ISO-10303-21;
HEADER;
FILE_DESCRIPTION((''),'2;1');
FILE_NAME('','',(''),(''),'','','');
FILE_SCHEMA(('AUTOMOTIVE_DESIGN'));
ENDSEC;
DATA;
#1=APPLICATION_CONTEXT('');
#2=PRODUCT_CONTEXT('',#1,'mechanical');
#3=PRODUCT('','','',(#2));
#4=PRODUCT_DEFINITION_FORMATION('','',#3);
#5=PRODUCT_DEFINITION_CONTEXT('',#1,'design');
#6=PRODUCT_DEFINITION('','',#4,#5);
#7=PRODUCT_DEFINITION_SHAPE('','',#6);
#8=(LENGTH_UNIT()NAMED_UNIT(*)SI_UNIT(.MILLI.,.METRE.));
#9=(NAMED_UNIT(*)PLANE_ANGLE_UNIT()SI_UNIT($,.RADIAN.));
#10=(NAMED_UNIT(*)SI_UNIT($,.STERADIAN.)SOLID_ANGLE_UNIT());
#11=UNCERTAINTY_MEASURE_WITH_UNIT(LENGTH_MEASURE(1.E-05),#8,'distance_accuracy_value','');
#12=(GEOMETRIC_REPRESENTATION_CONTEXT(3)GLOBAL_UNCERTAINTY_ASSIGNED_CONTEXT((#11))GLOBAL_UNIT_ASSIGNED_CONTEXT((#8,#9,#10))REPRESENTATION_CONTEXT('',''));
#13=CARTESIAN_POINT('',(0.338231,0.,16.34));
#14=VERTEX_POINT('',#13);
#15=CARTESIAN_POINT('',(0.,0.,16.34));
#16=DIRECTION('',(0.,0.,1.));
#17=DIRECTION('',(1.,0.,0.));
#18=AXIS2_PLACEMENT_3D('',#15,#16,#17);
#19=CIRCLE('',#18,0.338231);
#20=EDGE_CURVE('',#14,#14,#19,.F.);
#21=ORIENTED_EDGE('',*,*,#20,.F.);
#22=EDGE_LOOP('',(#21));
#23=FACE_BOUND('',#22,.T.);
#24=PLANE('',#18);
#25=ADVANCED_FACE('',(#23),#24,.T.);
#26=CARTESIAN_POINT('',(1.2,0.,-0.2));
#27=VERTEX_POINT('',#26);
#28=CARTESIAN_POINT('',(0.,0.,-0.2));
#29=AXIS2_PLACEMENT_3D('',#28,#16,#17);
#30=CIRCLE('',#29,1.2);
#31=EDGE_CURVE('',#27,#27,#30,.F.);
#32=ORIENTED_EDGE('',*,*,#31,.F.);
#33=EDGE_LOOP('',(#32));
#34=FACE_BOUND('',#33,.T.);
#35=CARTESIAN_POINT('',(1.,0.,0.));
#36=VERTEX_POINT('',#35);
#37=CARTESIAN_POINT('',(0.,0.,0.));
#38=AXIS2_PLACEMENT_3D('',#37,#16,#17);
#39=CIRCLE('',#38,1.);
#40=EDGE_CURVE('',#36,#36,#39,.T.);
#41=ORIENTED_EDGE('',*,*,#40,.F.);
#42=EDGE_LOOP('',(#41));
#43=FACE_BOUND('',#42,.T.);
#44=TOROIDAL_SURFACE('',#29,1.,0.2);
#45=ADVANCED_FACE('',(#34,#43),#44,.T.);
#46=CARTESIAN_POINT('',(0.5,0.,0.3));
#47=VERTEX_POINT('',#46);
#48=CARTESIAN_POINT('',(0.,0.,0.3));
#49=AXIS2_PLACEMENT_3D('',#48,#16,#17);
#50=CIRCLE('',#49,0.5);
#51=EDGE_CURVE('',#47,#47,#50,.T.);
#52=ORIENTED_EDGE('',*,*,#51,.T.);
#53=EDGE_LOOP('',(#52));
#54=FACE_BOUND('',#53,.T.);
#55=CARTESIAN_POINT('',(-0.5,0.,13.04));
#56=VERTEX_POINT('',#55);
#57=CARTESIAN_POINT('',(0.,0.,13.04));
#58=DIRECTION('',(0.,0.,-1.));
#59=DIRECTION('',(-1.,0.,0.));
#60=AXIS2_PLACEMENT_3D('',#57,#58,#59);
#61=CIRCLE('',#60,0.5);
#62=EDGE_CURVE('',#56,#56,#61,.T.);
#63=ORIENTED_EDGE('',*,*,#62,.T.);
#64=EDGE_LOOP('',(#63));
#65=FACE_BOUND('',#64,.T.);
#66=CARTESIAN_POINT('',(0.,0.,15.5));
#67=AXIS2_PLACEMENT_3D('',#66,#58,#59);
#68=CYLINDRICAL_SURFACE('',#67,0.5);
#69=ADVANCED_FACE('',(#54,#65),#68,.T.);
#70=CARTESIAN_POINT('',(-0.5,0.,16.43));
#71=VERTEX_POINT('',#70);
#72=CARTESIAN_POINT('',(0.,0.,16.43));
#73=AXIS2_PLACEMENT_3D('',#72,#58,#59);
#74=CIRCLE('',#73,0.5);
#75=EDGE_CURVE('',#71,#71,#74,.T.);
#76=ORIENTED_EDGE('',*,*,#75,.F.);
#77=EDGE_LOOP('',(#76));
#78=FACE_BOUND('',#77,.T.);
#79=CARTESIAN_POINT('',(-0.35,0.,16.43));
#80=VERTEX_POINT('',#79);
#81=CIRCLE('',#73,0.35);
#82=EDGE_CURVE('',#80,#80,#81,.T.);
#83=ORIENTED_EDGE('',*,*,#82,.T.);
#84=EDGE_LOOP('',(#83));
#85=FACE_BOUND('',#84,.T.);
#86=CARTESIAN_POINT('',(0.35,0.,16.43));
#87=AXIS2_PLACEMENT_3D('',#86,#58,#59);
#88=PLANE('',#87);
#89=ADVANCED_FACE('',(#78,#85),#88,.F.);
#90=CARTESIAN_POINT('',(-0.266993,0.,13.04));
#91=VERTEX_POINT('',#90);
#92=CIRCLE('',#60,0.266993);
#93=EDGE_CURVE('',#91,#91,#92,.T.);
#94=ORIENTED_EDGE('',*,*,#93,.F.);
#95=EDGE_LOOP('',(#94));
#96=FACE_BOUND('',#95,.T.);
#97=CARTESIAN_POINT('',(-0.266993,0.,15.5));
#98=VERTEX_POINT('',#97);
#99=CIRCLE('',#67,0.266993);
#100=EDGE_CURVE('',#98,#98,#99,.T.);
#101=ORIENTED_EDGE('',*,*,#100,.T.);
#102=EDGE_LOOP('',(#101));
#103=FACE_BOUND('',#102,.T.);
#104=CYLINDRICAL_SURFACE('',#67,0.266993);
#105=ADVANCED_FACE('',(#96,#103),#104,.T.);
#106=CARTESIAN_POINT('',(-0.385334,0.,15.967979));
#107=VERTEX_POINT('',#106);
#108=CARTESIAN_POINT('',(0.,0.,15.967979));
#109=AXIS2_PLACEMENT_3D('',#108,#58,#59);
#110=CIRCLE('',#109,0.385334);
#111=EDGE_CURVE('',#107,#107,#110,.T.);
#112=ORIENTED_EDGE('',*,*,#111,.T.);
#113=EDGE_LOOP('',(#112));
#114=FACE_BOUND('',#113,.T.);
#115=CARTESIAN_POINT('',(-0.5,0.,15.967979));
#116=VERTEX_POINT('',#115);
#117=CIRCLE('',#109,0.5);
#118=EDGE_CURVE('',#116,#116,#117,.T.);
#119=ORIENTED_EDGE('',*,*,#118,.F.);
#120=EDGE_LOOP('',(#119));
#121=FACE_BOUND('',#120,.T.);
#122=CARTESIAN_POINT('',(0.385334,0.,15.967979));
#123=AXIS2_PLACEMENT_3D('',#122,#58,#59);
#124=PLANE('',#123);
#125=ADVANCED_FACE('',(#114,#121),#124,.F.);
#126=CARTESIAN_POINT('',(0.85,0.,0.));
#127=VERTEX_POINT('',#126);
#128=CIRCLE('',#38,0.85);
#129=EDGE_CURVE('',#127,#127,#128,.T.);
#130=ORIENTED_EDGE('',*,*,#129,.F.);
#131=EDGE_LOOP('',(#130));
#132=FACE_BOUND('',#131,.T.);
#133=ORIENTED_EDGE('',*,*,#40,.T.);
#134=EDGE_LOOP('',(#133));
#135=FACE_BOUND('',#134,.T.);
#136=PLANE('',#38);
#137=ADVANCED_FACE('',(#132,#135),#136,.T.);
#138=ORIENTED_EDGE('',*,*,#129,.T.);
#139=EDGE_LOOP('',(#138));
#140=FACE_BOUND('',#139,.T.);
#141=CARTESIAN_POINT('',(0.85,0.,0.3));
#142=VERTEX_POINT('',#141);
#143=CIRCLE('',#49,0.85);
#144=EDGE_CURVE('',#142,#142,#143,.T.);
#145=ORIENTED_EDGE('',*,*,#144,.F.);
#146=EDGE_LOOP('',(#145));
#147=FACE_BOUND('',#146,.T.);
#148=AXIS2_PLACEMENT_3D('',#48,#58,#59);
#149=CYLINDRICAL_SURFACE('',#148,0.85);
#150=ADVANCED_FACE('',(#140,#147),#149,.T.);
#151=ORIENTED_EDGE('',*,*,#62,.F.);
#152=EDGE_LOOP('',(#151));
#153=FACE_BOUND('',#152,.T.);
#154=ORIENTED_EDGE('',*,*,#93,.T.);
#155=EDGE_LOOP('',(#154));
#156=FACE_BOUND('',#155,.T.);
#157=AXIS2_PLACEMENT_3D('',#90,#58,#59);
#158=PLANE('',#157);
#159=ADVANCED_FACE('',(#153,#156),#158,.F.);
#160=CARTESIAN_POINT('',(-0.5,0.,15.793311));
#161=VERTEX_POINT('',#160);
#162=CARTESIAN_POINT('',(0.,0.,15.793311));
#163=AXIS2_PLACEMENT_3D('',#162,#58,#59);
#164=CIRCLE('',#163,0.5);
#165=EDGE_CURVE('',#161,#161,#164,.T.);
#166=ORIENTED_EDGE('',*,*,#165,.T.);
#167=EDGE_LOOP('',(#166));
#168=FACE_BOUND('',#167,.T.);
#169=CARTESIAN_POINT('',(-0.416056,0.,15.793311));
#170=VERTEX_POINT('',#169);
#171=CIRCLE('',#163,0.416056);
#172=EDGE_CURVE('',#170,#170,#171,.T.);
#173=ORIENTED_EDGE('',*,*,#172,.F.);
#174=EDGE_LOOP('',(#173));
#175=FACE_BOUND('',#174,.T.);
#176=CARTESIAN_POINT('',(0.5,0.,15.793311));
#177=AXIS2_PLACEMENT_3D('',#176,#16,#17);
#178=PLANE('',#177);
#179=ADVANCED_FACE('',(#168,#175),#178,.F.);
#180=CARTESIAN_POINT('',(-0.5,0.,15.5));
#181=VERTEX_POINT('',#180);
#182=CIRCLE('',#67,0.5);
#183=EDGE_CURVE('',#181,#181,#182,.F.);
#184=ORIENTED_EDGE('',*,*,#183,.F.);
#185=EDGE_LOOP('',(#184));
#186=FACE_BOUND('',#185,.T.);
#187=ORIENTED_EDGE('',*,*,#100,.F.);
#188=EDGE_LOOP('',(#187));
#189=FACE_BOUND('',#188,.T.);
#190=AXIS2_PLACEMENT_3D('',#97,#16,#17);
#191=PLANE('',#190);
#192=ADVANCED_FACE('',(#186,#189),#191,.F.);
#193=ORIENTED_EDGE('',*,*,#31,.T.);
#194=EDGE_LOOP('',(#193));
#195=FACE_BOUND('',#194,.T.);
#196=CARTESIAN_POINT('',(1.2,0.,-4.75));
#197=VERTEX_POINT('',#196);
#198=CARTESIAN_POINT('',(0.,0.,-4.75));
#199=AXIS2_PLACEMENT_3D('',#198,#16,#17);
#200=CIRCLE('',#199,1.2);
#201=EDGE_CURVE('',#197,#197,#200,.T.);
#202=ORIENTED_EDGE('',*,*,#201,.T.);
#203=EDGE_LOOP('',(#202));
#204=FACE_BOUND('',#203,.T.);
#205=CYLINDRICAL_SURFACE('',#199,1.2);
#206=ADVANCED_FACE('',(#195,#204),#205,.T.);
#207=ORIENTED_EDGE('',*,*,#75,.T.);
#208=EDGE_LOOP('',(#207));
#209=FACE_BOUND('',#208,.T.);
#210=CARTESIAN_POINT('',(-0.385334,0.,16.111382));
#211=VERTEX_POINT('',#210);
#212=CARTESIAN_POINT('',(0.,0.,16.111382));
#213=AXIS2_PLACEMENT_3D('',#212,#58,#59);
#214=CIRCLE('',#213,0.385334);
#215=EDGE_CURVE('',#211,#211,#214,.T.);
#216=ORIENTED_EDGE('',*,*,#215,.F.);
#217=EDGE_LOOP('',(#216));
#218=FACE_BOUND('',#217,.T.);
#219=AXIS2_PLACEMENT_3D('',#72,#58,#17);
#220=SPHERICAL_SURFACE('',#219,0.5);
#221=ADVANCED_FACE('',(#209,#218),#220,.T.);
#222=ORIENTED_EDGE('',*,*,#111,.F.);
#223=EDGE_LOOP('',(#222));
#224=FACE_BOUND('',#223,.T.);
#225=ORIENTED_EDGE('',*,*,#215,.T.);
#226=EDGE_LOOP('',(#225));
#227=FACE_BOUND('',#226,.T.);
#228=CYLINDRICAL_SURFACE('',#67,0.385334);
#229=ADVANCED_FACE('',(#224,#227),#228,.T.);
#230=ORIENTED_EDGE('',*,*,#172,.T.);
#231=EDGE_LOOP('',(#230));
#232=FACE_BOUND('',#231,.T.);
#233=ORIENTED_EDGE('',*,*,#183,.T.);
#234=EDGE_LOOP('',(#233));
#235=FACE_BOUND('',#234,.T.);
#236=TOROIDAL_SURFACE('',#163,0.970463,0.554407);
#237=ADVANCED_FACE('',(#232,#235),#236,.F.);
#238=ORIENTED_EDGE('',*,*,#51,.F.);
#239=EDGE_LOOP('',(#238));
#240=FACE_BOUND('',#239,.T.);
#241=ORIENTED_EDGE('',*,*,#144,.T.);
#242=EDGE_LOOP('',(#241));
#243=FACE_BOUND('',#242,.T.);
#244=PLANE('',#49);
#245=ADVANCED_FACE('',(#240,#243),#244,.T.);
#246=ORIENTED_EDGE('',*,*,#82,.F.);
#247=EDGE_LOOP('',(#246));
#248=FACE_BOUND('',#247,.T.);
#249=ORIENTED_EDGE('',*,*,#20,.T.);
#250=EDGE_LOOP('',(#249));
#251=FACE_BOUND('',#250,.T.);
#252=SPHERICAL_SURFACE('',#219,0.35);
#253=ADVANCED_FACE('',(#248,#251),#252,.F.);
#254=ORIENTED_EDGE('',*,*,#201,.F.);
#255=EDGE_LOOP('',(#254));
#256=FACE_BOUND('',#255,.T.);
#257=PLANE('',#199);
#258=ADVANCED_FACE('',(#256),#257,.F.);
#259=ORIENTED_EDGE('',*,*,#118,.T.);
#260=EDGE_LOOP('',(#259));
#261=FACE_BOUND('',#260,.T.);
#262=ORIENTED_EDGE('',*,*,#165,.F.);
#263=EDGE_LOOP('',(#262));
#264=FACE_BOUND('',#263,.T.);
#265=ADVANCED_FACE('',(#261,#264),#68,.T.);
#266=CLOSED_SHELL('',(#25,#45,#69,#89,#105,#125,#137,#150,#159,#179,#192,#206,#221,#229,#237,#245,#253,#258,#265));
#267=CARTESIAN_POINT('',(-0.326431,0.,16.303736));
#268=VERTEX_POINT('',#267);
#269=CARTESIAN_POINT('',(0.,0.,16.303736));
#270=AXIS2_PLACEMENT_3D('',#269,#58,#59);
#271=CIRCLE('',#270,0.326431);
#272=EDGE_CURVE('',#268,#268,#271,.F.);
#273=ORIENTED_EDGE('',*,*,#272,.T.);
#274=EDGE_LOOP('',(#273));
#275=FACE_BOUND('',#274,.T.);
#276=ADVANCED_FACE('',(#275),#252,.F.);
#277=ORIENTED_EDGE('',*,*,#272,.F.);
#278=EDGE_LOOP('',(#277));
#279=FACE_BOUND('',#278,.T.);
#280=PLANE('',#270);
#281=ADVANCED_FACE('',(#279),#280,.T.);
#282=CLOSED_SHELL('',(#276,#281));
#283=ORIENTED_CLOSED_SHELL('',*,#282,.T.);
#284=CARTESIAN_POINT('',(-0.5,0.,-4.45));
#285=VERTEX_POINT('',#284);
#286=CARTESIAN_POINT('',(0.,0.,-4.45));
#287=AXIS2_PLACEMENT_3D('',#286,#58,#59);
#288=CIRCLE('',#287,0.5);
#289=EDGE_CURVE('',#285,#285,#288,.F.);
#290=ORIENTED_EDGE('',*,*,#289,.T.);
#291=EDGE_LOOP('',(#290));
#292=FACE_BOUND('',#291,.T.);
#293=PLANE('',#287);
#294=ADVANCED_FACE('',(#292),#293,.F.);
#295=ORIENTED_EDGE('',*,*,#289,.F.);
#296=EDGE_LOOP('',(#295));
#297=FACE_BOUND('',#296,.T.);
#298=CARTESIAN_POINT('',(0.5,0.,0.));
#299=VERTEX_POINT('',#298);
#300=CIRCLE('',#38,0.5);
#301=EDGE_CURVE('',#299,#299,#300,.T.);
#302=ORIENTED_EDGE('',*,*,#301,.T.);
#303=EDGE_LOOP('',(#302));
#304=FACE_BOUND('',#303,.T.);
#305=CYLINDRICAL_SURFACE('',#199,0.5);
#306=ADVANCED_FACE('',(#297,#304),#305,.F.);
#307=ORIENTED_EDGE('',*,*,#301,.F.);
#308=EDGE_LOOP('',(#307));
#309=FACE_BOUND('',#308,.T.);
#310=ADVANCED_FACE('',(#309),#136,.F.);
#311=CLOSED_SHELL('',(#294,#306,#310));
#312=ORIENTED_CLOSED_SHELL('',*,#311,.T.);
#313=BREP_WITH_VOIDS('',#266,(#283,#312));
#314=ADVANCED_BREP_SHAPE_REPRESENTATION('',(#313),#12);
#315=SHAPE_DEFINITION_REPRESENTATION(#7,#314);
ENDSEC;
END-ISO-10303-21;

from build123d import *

# Parameters (mm, degrees)
SKETCH1_R           = 0.5
BOSS_EXTRUDE1_DEPTH = 15.5
SKETCH1_3_R         = 1.2
SKETCH1_3_R_2       = 0.5
BOSS_EXTRUDE2_DEPTH = 4.75
FILLET1_R           = 0.2
SKETCH2_R           = 0.85
BOSS_EXTRUDE3_DEPTH = 0.3
SKETCH4_W           = 0.471869861
SKETCH4_H           = 0.036263573
SKETCH5_W           = 0.976937104
SKETCH5_H           = 2.46
SKETCH6_R           = 0.5
BOSS_EXTRUDE5_DEPTH = 0.3


with BuildPart() as part:
    # Sketch1 → Boss-Extrude1 (new body)
    with BuildSketch(Plane.XY):
        Circle(SKETCH1_R)
    extrude(amount=BOSS_EXTRUDE1_DEPTH)



with BuildPart() as body_2:
    # Sketch1<3> → Boss-Extrude2 (new body)
    with BuildSketch(Plane.XY):
        Circle(SKETCH1_3_R)
        Circle(SKETCH1_3_R_2, mode=Mode.SUBTRACT)
    extrude(amount=-BOSS_EXTRUDE2_DEPTH)

    # Fillet1
    fillet1_edges = [body_2.edges().sort_by_distance(p)[0] for p in [
        (-1.2, 0, 0),
    ]]
    fillet(fillet1_edges, radius=FILLET1_R)


with BuildPart() as part_1:
    add(part.part)

    add(body_2.part)  # Boss-Extrude3 merges body 2
    # Sketch2 → Boss-Extrude3 (add)
    with BuildSketch(Plane.XY):
        Circle(SKETCH2_R)
    extrude(amount=BOSS_EXTRUDE3_DEPTH)

    # Sketch3 → Revolve1 (revolve)
    with BuildSketch(Plane(origin=(0, 0, 0), x_dir=(1, 0, 0), z_dir=(0, 1, 0))):
        with BuildLine():
            Line((0.5, -15.5), (0, -15.5))
            Line((0, -15.5), (0, -16.08))
            ThreePointArc((0, -16.08), (0.247487373, -16.182512627), (0.35, -16.43))
            Line((0.35, -16.43), (0.5, -16.43))
            ThreePointArc((0.5, -16.43), (0.470461057, -16.26068847), (0.385334423, -16.111382075))
            Line((0.385334423, -16.111382075), (0.385334423, -15.967978567))
            Line((0.385334423, -15.967978567), (0.5, -15.967978567))
            Line((0.5, -15.967978567), (0.5, -15.793310987))
            Line((0.5, -15.793310987), (0.416056351, -15.793310987))
            ThreePointArc((0.416056351, -15.793310987), (0.437455238, -15.640767656), (0.5, -15.5))
        make_face()
    revolve(axis=Axis((0, 0, 15.5), (0, 0, 1)))

    # Sketch4 → Revolve2 (revolve)
    with BuildSketch(Plane(origin=(0, 0, 0), x_dir=(1, 0, 0), z_dir=(0, 1, 0))):
        with Locations((-0.235934931, -16.321868214)):
            Rectangle(SKETCH4_W, SKETCH4_H)
    revolve(axis=Axis((0, 0, 15.5), (0, 0, 1)))

    # Sketch5 → Cut-Revolve1 (revolve, cut)
    with BuildSketch(Plane(origin=(0, 0, 0), x_dir=(1, 0, 0), z_dir=(0, 1, 0))):
        with Locations((-0.755461177, -14.27)):
            Rectangle(SKETCH5_W, SKETCH5_H)
    revolve(axis=Axis((0, 0, 15.5), (0, 0, 1)), mode=Mode.SUBTRACT)

    # Sketch6 → Boss-Extrude5 (add)
    with BuildSketch(Plane(origin=(0, 0, -4.75), x_dir=(-1, 0, 0), z_dir=(0, 0, -1))):
        Circle(SKETCH6_R)
    extrude(amount=-BOSS_EXTRUDE5_DEPTH)


solid = part_1.part
